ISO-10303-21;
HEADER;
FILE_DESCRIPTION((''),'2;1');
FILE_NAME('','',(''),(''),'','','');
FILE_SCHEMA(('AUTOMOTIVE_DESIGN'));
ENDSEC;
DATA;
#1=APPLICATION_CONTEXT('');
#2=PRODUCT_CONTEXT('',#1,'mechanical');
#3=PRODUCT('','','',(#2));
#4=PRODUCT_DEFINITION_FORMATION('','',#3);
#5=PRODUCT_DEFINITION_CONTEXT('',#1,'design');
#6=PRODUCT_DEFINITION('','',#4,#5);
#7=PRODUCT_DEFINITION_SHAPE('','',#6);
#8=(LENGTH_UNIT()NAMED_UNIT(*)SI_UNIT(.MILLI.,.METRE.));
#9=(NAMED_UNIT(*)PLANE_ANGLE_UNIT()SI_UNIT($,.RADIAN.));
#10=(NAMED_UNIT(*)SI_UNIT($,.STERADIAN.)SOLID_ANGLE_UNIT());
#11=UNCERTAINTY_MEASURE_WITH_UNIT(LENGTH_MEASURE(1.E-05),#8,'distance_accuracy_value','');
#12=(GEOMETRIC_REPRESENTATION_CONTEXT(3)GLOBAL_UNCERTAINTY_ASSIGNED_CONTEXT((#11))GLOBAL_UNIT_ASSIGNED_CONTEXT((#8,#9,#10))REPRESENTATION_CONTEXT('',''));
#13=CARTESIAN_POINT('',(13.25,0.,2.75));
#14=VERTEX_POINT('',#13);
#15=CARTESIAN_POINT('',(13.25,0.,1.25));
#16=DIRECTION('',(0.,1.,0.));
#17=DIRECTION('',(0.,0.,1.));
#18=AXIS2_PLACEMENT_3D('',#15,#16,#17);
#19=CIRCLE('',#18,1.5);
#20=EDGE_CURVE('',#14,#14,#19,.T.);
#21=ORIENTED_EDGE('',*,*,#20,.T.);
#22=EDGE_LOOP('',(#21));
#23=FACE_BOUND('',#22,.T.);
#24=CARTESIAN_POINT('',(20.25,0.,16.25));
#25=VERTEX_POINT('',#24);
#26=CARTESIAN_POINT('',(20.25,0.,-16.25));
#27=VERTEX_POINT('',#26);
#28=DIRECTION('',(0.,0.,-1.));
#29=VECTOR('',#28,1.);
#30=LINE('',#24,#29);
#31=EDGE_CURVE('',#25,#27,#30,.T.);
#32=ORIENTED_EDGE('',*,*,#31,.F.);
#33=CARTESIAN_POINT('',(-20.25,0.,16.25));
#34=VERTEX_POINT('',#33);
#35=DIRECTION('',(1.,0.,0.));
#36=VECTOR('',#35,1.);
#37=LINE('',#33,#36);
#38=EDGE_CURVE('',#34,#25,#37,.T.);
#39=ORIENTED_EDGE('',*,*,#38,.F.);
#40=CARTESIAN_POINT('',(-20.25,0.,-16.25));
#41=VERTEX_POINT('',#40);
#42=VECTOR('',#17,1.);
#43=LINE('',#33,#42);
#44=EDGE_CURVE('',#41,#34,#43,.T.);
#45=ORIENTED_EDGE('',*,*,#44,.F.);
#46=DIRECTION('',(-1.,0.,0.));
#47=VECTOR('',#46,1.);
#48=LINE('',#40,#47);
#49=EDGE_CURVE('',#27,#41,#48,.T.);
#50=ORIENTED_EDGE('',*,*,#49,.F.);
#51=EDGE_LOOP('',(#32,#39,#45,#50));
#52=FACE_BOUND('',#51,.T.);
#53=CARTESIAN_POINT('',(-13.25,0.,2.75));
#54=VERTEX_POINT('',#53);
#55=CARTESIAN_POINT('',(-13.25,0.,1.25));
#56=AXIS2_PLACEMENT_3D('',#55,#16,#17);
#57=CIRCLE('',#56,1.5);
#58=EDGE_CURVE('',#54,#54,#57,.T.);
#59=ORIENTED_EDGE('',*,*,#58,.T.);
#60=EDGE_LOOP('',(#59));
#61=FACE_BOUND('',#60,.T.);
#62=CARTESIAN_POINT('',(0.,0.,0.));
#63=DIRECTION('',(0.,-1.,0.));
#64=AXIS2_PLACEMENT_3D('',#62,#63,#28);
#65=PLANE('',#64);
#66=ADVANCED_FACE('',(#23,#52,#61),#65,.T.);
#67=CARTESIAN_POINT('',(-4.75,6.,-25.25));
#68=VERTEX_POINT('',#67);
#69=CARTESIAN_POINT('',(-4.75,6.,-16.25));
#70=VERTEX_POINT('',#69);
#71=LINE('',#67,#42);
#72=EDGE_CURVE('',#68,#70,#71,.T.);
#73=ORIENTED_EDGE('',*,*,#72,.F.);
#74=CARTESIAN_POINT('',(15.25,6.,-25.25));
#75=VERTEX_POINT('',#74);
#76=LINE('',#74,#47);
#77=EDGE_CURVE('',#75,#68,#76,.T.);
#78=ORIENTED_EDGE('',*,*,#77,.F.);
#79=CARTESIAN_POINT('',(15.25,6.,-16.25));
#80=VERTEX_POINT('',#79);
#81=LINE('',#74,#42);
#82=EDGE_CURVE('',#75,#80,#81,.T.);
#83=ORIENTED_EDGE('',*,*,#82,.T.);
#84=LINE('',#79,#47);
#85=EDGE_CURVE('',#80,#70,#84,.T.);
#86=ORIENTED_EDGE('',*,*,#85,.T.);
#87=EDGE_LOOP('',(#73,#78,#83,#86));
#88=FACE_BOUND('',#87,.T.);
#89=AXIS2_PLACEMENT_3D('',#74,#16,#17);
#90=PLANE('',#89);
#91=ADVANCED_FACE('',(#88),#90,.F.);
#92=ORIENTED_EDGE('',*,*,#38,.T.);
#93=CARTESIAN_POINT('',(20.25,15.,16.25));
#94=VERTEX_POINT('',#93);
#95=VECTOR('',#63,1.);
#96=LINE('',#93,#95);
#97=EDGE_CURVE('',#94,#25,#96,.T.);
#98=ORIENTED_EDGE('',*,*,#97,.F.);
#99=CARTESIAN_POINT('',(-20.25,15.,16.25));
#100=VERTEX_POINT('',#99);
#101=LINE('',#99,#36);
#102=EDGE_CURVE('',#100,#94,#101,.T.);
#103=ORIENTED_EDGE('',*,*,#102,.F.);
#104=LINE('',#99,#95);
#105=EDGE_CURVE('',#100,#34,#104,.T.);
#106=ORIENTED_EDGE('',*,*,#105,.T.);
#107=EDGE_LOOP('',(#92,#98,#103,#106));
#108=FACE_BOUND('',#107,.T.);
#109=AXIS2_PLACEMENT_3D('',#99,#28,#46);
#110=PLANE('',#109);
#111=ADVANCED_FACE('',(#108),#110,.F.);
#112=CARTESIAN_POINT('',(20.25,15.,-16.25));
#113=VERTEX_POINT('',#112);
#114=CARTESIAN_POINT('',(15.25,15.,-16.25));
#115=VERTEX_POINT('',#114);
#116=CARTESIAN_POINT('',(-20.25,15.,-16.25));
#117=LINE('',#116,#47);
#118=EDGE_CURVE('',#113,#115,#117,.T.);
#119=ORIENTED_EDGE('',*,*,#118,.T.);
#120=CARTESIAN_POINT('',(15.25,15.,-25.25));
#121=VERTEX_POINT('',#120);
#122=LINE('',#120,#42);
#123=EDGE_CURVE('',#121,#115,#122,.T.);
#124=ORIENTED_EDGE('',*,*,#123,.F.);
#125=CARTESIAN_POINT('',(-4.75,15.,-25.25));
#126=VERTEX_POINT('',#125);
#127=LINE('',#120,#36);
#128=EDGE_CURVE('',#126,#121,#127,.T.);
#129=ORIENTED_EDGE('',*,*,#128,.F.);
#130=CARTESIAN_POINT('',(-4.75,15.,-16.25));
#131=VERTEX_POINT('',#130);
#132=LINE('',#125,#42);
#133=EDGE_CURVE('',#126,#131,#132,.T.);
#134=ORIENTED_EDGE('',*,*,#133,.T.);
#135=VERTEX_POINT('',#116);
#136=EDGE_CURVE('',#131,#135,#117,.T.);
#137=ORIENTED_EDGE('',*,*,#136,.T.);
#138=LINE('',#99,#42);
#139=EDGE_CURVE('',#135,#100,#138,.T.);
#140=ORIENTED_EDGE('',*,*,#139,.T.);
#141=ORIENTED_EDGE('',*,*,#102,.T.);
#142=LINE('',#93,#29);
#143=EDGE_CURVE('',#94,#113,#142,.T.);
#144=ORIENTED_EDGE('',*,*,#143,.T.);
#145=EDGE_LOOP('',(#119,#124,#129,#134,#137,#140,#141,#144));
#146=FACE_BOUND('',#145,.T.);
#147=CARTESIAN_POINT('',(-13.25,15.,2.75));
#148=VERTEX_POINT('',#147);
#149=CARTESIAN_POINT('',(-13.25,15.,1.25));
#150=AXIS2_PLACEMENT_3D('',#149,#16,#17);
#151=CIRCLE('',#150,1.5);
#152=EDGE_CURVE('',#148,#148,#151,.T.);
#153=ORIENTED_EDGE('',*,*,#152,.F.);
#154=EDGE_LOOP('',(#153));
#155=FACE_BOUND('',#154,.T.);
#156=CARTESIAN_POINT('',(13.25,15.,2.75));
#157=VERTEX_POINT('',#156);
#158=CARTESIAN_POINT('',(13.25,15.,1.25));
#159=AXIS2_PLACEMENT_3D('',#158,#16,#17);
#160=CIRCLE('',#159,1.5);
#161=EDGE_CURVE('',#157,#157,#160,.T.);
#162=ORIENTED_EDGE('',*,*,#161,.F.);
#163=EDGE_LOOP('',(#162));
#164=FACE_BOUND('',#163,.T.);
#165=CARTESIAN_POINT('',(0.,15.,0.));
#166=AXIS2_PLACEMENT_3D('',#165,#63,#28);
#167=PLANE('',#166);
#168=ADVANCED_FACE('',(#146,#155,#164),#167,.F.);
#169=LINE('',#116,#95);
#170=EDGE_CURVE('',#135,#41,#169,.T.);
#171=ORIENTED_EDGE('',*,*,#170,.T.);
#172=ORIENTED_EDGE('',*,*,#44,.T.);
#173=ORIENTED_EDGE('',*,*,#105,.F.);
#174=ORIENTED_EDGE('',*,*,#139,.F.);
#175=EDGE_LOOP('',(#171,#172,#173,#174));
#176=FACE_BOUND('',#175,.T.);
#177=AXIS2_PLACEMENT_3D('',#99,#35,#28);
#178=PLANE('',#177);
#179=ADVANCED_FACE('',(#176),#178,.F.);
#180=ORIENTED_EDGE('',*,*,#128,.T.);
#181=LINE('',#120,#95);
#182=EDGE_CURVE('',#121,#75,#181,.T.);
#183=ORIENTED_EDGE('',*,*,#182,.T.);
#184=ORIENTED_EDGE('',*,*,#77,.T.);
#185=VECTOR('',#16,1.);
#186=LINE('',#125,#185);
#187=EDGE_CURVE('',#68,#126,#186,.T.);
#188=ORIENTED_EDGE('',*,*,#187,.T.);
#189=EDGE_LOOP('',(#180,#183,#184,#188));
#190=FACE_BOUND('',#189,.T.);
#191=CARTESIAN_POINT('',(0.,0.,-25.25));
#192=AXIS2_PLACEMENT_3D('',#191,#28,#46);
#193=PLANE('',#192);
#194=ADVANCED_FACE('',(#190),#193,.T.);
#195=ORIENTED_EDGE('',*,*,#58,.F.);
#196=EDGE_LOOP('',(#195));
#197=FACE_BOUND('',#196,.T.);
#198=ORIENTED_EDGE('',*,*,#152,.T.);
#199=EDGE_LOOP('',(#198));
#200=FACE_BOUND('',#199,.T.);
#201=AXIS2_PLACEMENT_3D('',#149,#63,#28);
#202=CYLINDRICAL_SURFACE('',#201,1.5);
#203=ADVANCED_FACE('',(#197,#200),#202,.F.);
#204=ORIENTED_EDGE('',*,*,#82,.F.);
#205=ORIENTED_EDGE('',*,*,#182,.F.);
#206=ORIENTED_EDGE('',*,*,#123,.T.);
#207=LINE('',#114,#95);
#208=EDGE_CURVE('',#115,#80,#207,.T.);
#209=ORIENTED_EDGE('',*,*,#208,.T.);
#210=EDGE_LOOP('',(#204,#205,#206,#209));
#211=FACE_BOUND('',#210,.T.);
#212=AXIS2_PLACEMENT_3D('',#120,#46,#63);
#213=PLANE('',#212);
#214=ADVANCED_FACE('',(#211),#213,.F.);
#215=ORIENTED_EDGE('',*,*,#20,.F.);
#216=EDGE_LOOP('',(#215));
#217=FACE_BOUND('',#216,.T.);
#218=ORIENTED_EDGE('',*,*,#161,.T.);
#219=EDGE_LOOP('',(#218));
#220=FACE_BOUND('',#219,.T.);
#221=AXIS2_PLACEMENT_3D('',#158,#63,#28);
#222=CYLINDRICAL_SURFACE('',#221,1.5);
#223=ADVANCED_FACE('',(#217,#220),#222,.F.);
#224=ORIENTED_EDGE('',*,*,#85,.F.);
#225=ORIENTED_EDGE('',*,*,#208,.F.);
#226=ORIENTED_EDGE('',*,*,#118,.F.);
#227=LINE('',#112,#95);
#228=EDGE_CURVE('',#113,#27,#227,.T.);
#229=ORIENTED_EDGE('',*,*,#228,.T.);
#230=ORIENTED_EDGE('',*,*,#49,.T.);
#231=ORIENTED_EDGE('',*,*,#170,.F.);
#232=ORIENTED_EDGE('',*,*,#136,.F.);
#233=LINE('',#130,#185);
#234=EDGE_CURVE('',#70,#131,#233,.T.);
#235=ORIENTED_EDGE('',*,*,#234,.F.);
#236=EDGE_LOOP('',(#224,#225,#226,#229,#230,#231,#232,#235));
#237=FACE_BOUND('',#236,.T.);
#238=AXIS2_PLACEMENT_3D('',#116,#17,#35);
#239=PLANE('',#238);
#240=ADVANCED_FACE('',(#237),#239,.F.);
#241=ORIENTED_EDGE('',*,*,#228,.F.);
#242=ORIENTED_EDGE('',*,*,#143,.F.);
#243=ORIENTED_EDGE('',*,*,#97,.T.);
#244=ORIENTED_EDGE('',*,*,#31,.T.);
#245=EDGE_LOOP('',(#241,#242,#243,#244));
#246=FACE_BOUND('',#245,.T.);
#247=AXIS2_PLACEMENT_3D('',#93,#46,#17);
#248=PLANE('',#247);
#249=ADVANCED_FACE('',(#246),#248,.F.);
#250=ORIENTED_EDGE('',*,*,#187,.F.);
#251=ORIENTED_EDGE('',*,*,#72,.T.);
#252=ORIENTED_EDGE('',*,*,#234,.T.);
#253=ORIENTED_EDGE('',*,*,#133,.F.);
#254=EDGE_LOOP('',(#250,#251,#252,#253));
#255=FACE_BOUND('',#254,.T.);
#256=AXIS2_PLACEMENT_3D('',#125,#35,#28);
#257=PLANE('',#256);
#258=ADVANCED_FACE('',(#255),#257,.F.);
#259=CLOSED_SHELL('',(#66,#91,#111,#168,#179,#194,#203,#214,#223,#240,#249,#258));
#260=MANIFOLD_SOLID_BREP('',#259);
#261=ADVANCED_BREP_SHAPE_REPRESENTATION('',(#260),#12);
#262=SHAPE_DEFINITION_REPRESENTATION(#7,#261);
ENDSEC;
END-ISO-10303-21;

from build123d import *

# Parameters (mm, degrees)
SKETCH1_W           = 40.5
SKETCH1_H           = 32.5
SKETCH1_R           = 1.5
BOSS_EXTRUDE1_DEPTH = 15
SKETCH3_W           = 20
SKETCH3_H           = 9
BOSS_EXTRUDE2_DEPTH = 9


with BuildPart() as part:
    # Sketch1 → Boss-Extrude1 (new body)
    with BuildSketch(Plane(origin=(0, 0, 0), x_dir=(1, 0, 0), z_dir=(0, 1, 0))):
        Rectangle(SKETCH1_W, SKETCH1_H)
        with Locations(Location((-13.25, -1.25, 0), (0, 0, 270))):
            Circle(SKETCH1_R, mode=Mode.SUBTRACT)
        with Locations(Location((13.25, -1.25, 0), (0, 0, 270))):
            Circle(SKETCH1_R, mode=Mode.SUBTRACT)
    extrude(amount=BOSS_EXTRUDE1_DEPTH)

    # Sketch3 → Boss-Extrude2 (add)
    with BuildSketch(Plane(origin=(0, 0, -16.25), x_dir=(-1, 0, 0), z_dir=(0, 0, -1))):
        with Locations((-5.25, 10.5)):
            Rectangle(SKETCH3_W, SKETCH3_H)
    extrude(amount=BOSS_EXTRUDE2_DEPTH)


solid = part.part
